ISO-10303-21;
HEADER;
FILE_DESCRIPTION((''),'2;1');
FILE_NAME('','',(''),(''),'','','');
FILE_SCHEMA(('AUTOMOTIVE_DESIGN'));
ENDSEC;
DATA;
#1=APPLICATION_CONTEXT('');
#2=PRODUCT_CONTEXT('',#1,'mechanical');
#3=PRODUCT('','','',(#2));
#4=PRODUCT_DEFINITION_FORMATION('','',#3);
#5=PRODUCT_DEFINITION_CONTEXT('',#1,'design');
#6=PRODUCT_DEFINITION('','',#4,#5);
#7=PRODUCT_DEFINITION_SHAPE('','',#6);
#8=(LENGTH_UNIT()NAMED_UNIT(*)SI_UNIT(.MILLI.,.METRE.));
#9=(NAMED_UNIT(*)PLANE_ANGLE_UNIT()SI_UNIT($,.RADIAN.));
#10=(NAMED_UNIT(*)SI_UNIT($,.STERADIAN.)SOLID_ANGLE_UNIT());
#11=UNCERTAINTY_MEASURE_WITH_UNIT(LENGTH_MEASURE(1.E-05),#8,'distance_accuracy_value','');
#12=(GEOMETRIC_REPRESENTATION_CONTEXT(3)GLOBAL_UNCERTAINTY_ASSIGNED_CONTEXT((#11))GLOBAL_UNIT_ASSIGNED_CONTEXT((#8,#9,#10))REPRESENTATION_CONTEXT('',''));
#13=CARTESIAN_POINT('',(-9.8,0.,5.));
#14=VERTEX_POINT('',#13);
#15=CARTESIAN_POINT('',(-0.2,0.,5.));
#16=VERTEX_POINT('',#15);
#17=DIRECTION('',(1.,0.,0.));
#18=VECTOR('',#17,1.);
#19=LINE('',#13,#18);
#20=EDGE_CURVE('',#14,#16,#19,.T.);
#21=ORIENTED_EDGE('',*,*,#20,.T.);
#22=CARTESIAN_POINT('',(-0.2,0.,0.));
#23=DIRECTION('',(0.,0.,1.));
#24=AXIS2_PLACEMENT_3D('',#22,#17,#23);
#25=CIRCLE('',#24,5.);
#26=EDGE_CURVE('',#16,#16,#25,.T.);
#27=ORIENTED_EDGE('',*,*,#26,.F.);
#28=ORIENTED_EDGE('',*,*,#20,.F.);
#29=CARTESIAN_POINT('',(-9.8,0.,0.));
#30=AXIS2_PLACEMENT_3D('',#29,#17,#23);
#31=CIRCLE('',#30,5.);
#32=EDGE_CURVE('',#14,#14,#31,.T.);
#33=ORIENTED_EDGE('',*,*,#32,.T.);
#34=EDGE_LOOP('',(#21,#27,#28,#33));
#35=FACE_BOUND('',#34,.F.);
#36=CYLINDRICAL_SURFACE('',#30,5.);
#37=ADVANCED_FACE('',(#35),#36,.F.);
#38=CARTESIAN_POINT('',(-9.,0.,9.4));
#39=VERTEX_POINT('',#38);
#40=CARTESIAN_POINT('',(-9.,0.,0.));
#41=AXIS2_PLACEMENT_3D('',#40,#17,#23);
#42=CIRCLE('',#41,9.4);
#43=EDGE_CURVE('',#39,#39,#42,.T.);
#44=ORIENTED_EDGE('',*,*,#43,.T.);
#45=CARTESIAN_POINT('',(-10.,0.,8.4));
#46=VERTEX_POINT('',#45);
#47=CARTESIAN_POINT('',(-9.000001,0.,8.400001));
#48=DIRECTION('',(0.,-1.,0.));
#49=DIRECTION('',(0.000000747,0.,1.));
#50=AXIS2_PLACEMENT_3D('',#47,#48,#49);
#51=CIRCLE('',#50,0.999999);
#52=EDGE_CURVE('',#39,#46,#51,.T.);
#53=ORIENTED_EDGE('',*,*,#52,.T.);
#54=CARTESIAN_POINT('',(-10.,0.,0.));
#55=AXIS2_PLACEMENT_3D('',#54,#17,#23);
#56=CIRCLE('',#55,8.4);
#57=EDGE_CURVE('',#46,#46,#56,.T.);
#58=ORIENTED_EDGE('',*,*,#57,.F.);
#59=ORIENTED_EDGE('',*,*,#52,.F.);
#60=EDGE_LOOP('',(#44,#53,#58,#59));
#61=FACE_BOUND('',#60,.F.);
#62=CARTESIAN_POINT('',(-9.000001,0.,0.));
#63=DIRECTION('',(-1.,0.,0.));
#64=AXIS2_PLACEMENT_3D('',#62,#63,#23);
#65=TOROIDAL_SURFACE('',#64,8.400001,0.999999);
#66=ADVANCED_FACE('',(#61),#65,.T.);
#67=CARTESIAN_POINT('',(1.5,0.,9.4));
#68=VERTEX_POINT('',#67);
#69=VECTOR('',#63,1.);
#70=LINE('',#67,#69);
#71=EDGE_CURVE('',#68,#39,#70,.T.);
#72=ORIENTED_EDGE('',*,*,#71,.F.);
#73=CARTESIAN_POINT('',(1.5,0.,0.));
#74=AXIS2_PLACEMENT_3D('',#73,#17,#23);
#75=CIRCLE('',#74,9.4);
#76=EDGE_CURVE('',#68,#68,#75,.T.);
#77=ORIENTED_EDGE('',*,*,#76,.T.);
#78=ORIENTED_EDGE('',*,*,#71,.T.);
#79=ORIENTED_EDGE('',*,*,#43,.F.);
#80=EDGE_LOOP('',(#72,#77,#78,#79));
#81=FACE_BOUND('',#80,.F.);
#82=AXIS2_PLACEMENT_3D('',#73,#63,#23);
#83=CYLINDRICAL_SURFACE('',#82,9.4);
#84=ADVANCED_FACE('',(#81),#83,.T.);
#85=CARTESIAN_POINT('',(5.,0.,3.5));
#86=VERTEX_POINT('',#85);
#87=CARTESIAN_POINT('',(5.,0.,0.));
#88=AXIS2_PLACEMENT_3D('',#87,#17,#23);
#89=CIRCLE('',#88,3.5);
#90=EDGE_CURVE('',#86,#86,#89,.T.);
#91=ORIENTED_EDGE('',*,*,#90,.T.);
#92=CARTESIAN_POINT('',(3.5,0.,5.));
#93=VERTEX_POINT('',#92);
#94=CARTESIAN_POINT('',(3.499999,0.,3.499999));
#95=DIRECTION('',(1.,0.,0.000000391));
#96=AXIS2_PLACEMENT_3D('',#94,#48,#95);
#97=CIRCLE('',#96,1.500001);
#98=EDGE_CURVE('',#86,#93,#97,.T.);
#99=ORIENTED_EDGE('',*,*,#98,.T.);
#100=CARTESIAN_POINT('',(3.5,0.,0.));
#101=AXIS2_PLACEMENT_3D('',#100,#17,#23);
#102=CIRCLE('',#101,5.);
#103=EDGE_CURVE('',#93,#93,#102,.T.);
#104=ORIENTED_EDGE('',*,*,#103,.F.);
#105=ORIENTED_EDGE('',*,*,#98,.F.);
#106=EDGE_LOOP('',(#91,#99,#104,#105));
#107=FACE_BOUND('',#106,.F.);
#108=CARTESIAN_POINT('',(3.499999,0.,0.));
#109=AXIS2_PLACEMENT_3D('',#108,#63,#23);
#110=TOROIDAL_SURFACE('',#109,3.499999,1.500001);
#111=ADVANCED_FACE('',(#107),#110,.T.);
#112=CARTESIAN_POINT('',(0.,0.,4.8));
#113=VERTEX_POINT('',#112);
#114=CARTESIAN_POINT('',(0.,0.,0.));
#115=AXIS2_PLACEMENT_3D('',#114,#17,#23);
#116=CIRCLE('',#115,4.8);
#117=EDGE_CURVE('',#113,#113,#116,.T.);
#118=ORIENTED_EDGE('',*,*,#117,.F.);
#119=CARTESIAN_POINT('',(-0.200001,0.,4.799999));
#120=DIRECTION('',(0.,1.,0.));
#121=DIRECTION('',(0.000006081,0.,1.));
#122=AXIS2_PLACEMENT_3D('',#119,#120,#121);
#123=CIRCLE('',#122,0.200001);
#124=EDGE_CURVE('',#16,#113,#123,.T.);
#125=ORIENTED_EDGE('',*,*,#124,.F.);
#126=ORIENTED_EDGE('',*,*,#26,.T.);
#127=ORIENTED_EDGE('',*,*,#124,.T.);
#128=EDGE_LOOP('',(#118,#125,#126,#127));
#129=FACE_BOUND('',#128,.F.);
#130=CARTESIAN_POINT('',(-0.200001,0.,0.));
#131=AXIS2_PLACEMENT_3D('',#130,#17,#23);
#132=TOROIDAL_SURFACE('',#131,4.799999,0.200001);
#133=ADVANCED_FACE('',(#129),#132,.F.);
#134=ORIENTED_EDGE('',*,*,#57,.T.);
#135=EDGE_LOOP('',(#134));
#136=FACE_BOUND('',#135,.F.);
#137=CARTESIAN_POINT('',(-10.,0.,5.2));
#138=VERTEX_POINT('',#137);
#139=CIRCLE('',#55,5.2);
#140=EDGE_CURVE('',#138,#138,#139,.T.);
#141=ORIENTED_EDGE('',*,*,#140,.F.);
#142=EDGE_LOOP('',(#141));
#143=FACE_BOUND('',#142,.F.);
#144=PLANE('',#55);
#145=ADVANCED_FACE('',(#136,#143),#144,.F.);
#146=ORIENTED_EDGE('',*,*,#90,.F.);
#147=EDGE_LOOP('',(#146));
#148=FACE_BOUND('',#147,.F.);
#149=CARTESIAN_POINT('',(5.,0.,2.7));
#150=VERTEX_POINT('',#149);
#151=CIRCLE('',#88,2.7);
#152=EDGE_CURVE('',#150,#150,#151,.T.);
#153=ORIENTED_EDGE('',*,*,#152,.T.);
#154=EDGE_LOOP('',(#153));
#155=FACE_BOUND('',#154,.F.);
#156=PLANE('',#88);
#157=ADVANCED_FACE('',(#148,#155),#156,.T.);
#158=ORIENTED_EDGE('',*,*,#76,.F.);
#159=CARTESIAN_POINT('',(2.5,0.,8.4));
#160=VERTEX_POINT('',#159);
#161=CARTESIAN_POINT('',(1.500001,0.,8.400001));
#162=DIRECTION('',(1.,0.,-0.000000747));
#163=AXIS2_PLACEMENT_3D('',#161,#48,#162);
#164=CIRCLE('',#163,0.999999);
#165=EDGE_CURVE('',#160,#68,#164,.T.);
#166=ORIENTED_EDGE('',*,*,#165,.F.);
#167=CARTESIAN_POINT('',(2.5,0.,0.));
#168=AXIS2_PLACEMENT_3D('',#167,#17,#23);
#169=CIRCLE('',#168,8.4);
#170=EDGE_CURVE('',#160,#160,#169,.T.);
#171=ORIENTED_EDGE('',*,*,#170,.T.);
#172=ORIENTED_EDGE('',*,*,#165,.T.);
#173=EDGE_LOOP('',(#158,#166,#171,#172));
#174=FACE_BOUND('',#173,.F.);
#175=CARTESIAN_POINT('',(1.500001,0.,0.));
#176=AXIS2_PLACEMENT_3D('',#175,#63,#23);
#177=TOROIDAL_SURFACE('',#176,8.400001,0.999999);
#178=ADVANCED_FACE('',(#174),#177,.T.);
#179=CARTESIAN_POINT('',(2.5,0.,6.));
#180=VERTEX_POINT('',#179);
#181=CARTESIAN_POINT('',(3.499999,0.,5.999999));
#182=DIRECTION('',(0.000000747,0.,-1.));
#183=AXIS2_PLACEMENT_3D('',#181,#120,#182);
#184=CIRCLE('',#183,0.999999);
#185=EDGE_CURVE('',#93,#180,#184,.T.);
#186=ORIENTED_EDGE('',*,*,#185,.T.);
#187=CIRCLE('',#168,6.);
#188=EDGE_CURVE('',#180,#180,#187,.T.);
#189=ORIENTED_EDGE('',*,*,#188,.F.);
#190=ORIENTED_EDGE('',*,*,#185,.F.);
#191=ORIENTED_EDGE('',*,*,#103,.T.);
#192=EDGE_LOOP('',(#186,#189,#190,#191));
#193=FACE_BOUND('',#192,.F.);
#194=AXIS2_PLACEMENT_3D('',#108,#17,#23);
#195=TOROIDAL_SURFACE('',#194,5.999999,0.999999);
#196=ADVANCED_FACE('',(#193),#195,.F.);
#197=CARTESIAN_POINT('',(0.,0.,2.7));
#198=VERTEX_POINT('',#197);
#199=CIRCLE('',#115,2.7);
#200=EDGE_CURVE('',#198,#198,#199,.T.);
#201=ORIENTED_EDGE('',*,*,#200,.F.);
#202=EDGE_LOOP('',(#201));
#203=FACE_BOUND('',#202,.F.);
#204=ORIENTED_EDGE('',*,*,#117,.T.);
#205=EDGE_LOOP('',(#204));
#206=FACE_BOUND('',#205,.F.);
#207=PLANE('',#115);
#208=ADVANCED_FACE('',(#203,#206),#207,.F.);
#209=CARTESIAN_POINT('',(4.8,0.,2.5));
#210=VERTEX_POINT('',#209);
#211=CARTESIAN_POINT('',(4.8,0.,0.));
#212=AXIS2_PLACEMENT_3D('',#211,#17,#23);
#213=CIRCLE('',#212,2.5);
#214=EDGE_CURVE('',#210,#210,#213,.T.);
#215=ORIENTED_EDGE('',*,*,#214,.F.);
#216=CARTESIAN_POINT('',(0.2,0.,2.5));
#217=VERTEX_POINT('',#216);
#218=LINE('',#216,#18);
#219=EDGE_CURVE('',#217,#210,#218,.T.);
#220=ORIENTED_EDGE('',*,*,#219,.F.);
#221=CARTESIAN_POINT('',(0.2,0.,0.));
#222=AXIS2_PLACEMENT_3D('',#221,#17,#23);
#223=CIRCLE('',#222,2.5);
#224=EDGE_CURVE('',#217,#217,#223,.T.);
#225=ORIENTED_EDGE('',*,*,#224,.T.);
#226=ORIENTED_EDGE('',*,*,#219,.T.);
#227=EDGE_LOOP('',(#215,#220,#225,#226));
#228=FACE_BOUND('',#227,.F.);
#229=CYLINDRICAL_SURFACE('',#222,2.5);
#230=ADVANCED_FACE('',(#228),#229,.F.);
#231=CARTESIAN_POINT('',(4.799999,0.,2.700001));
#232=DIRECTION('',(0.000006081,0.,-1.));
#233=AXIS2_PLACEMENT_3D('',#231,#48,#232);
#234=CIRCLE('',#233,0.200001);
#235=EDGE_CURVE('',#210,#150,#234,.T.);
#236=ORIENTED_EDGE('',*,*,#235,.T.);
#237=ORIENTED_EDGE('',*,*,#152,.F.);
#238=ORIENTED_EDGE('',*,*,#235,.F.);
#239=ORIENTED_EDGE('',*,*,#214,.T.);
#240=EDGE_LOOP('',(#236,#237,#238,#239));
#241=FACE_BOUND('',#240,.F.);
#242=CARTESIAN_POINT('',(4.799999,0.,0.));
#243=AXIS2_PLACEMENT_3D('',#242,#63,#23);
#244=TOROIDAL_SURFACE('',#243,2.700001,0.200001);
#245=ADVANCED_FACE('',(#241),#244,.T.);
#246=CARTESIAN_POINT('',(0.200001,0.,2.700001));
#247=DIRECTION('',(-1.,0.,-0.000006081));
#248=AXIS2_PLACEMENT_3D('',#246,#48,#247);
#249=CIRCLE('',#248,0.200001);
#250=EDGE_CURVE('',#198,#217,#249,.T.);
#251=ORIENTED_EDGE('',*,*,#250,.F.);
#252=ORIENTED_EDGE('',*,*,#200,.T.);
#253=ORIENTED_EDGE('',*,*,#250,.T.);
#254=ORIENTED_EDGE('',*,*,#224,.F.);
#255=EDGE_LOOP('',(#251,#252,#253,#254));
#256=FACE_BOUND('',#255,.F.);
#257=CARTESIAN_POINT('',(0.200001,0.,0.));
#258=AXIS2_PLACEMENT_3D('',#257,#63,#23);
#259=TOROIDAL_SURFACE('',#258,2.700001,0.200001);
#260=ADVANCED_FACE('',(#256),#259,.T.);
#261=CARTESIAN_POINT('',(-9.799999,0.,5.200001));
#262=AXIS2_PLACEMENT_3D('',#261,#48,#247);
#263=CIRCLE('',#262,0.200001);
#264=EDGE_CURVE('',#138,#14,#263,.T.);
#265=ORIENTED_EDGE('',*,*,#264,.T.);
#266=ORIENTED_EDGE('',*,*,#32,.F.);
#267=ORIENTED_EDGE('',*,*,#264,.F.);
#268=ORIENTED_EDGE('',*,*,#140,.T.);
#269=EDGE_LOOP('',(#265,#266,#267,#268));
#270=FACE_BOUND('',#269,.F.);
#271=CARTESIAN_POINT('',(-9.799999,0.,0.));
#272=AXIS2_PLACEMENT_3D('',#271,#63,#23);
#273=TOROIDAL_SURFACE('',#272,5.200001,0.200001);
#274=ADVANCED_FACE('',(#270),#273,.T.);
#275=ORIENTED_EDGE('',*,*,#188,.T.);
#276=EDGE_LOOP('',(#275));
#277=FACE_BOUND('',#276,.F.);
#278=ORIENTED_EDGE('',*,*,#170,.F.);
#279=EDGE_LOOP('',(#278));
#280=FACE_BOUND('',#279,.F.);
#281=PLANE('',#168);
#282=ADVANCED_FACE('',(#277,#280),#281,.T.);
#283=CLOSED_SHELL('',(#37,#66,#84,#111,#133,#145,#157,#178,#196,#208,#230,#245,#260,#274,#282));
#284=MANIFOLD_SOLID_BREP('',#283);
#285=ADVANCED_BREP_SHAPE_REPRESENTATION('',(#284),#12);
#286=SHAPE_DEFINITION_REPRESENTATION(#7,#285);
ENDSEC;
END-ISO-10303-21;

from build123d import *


with BuildPart() as f1:
    # F0 (on Front) → F1 (revolve)
    with BuildSketch(Plane.XZ):
        with BuildLine():
            Line((0.2, 2.5), (4.8, 2.5))
            ThreePointArc((4.8, 2.5), (4.941421, 2.558579), (5, 2.7))
            Line((5, 2.7), (5, 3.5))
            ThreePointArc((5, 3.5), (4.56066, 4.56066), (3.5, 5))
            ThreePointArc((3.5, 5), (2.792893, 5.292893), (2.5, 6))
            Line((2.5, 6), (2.5, 8.4))
            ThreePointArc((2.5, 8.4), (2.207107, 9.107107), (1.5, 9.4))
            Line((1.5, 9.4), (-9, 9.4))
            ThreePointArc((-9, 9.4), (-9.707107, 9.107107), (-10, 8.4))
            Line((-10, 8.4), (-10, 5.2))
            ThreePointArc((-10, 5.2), (-9.941421, 5.058579), (-9.8, 5))
            Line((-9.8, 5), (-0.2, 5))
            ThreePointArc((-0.2, 5), (-0.058579, 4.941421), (0, 4.8))
            Line((0, 4.8), (0, 2.7))
            ThreePointArc((0, 2.7), (0.058579, 2.558579), (0.2, 2.5))
        make_face()
    revolve(axis=Axis((5, 0, 0), (1, 0, 0)))


solid = f1.part
